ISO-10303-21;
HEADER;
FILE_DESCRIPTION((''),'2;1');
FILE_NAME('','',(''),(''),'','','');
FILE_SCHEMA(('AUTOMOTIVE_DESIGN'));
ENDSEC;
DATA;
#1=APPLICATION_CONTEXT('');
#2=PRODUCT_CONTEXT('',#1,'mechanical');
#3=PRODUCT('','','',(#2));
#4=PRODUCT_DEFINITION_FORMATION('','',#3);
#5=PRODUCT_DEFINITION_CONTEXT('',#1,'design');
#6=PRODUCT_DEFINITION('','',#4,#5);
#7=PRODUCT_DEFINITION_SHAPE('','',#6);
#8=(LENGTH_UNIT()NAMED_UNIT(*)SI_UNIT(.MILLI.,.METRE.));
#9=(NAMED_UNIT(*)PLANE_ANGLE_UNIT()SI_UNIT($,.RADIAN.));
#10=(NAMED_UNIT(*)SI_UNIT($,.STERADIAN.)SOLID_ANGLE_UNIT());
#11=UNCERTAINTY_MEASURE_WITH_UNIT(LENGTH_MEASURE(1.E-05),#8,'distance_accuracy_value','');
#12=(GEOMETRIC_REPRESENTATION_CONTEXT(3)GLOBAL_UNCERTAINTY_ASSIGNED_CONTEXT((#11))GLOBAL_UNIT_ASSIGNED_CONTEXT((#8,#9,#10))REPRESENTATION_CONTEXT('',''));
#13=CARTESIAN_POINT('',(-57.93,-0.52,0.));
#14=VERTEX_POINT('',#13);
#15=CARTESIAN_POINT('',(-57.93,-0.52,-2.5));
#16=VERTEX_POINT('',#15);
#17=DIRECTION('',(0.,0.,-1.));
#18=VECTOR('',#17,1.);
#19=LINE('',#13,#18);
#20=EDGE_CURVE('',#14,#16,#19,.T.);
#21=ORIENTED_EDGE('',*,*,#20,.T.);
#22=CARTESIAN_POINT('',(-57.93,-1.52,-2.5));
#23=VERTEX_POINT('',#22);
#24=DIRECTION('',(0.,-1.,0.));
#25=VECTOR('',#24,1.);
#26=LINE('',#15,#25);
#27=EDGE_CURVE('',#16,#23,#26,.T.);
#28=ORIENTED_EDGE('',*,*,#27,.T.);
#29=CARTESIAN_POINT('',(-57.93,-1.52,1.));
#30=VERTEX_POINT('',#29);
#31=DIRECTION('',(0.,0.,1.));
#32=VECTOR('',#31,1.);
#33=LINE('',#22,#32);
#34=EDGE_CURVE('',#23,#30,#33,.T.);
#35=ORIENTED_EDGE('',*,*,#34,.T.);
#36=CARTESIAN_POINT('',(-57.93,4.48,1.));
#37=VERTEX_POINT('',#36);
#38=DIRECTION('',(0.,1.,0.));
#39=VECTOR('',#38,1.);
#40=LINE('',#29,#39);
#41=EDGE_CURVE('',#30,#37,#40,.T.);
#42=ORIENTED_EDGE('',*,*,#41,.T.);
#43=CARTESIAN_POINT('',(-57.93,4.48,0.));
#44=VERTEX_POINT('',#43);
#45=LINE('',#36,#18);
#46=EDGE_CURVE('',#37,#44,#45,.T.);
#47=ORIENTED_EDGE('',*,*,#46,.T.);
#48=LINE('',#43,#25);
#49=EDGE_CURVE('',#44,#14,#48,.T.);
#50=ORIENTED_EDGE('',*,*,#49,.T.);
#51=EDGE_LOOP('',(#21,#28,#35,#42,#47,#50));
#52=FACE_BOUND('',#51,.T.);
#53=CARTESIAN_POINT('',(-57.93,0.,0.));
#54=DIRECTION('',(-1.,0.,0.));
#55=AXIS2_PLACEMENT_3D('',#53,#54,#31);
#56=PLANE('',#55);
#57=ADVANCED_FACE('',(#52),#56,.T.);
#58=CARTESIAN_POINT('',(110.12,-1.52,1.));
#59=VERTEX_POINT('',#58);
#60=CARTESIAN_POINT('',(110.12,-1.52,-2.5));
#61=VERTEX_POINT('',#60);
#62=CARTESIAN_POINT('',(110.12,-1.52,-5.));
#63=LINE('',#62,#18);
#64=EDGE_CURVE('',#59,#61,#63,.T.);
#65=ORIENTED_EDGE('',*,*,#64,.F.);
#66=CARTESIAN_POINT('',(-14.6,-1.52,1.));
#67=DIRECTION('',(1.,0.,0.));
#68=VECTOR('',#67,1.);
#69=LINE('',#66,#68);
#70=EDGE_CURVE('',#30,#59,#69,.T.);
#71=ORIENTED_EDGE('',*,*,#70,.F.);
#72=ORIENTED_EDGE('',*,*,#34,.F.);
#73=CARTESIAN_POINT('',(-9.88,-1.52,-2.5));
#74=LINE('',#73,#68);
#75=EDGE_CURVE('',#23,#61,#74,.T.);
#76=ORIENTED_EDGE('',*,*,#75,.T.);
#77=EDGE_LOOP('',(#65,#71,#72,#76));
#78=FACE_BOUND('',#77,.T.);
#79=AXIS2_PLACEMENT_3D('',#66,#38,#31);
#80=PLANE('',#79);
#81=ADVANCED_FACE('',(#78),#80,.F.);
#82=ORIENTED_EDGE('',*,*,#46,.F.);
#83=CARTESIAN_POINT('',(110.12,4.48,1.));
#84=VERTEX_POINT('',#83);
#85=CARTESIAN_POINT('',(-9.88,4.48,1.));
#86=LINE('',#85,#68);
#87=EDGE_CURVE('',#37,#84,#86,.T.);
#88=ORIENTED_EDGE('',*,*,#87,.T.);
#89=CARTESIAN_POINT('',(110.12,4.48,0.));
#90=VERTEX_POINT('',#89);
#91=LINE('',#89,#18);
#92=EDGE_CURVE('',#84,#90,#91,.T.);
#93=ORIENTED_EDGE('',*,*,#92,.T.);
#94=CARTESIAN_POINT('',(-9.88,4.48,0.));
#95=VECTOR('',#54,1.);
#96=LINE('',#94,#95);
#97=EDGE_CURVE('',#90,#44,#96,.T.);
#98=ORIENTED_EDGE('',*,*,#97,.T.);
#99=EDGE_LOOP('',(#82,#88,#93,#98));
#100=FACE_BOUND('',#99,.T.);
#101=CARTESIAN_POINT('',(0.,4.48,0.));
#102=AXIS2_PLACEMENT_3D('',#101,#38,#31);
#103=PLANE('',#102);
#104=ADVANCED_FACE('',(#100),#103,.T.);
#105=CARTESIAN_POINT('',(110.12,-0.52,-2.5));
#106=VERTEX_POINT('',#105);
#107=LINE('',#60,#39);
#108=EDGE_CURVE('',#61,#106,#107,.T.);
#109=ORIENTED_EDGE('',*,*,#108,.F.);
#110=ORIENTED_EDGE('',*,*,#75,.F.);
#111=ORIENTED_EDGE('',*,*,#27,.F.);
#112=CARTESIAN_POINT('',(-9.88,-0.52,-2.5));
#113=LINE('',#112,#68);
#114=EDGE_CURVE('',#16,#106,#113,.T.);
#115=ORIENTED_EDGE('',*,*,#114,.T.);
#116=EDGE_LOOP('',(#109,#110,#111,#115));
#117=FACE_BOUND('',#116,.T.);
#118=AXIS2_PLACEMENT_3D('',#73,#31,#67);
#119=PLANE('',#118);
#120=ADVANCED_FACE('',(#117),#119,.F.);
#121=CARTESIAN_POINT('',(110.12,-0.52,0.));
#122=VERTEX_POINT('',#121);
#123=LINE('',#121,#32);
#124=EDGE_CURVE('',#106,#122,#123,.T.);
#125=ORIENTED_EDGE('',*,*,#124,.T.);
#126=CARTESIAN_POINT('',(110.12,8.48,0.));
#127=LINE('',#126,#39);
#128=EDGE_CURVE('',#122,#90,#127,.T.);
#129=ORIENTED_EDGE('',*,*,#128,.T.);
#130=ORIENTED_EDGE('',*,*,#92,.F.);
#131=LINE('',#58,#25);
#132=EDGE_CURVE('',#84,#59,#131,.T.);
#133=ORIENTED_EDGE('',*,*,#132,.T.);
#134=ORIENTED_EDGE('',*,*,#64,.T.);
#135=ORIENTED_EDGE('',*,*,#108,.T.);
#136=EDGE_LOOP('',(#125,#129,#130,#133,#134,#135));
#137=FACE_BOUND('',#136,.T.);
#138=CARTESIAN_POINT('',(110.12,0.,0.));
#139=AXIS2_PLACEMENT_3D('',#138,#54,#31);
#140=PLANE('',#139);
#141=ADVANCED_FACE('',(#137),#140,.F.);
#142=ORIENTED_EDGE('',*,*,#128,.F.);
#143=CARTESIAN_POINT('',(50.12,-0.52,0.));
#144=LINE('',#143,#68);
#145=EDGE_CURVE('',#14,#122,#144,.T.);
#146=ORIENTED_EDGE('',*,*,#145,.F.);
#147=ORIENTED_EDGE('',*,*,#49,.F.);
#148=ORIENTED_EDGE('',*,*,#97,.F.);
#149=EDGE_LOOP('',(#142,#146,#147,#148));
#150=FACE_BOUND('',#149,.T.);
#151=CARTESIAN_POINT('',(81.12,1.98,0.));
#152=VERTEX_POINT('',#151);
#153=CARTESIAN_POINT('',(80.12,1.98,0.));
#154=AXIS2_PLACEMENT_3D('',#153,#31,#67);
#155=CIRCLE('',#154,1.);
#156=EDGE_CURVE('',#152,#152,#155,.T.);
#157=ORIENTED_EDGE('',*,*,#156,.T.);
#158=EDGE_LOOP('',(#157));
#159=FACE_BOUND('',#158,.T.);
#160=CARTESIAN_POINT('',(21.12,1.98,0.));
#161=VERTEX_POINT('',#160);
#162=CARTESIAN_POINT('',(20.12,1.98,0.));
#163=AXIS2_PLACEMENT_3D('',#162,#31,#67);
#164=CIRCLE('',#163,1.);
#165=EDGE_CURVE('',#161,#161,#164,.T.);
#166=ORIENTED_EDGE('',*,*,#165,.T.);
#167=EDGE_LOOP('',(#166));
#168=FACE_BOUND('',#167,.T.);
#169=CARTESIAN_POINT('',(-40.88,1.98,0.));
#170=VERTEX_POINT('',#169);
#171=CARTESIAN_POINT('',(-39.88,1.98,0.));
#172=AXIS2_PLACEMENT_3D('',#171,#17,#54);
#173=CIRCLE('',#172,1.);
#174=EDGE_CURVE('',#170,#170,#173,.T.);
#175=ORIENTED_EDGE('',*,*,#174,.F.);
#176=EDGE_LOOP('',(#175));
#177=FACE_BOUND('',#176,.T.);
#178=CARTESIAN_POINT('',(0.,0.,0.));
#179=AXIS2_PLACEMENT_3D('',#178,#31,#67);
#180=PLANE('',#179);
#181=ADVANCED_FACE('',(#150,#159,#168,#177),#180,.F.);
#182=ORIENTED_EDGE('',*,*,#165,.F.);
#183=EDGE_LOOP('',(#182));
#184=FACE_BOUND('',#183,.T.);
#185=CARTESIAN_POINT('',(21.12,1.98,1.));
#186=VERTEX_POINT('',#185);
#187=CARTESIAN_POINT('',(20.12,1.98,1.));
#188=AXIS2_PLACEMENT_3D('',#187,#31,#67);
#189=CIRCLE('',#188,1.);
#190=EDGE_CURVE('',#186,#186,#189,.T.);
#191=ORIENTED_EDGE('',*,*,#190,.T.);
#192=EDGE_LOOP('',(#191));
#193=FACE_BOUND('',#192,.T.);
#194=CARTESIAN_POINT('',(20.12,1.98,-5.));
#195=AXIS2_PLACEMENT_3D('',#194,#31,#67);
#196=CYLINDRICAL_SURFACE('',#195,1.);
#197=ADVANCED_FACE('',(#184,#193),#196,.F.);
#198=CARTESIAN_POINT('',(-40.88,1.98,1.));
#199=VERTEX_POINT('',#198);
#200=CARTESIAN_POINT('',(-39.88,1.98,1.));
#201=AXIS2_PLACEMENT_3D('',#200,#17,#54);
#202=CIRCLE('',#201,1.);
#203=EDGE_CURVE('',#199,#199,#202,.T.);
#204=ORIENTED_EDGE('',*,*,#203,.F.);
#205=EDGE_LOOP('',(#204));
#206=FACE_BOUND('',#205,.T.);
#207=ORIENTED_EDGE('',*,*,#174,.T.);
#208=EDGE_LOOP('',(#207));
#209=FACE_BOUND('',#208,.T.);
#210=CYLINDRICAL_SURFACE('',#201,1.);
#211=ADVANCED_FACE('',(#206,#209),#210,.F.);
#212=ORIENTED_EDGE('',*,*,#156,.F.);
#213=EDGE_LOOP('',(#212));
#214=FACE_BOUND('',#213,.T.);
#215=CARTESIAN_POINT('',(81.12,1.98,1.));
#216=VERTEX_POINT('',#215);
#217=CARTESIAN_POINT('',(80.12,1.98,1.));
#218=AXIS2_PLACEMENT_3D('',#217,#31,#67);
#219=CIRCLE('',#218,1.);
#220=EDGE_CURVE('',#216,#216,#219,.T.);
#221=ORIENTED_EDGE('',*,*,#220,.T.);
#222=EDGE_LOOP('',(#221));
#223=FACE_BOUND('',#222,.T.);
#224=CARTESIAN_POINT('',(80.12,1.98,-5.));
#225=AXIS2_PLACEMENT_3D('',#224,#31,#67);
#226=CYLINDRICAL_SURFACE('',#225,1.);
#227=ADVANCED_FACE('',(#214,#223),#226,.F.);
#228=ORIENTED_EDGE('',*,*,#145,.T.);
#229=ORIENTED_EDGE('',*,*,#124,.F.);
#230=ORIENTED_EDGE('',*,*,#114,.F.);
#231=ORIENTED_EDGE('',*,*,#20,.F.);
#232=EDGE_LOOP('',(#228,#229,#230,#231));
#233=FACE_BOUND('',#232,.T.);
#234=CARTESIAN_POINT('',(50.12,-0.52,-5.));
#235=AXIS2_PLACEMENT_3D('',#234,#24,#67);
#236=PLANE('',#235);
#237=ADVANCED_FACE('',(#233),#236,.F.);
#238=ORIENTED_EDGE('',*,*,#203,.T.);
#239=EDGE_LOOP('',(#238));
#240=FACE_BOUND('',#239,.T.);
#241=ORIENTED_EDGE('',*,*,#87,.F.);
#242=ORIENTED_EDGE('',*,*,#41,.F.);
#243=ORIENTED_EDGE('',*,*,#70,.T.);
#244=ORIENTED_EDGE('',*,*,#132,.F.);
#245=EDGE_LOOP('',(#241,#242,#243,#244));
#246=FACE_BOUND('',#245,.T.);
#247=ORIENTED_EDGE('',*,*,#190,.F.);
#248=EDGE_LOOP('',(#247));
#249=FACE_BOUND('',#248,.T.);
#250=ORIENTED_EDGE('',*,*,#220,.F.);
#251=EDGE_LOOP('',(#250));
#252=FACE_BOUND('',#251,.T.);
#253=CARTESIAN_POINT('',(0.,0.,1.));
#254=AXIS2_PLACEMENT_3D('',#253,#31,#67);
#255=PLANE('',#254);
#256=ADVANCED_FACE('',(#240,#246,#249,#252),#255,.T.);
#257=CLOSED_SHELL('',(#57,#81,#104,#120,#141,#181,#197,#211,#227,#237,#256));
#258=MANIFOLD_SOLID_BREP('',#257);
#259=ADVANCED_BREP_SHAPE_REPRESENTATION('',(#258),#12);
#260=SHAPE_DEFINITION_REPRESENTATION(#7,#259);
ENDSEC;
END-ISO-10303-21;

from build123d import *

# Parameters (mm, degrees)
SKETCH1_W           = 64.72
SKETCH1_H           = 10
BOSS_EXTRUDE1_DEPTH = 1
SKETCH2_W           = 64.72
SKETCH2_H           = 1
BOSS_EXTRUDE2_DEPTH = 5
BOSS_EXTRUDE3_DEPTH = 60
SKETCH4_W           = 1
SKETCH4_H           = 5
CUT_EXTRUDE1_DEPTH  = 125.72
SKETCH5_W           = 4.72
SKETCH5_H           = 6
CUT_EXTRUDE2_DEPTH  = 6
SKETCH6_W           = 120
SKETCH6_H           = 1
BOSS_EXTRUDE4_DEPTH = 1
SKETCH7_R           = 1
CUT_EXTRUDE3_DEPTH  = 7
SKETCH8_W           = 120
SKETCH8_H           = 2.5
CUT_EXTRUDE4_DEPTH  = 2
BOSS_EXTRUDE5_DEPTH = 48.05
SKETCH13_R          = 1
CUT_EXTRUDE5_DEPTH  = 2


with BuildPart() as part:
    # Sketch1 → Boss-Extrude1 (new body)
    with BuildSketch(Plane.XY):
        with Locations((17.76, 3.48)):
            Rectangle(SKETCH1_W, SKETCH1_H)
    extrude(amount=BOSS_EXTRUDE1_DEPTH)

    # Sketch2 → Boss-Extrude2 (add)
    with BuildSketch(Plane(origin=(0, 0, 0), x_dir=(-1, 0, 0), z_dir=(0, 0, -1))):
        with Locations((-17.76, -1.02)):
            Rectangle(SKETCH2_W, SKETCH2_H)
    extrude(amount=BOSS_EXTRUDE2_DEPTH)

    # Sketch3 → Boss-Extrude3 (add)
    with BuildSketch(Plane(origin=(50.12, 0, 0), x_dir=(0, 0, -1), z_dir=(1, 0, 0))):
        Polygon((-1, 8.48), (0, 8.48), (0, -0.52), (5, -0.52), (5, -1.52), (-1, -1.52), align=None)
    extrude(amount=BOSS_EXTRUDE3_DEPTH)

    # Sketch4 → Cut-Extrude1 (cut, through all)
    with BuildSketch(Plane(origin=(110.12, 0, 0), x_dir=(0, 0, -1), z_dir=(1, 0, 0))):
        with Locations((-0.5, 5.98)):
            Rectangle(SKETCH4_W, SKETCH4_H)
    extrude(amount=-CUT_EXTRUDE1_DEPTH, mode=Mode.SUBTRACT)

    # Sketch5 → Cut-Extrude2 (cut, through all)
    with BuildSketch(Plane(origin=(0, 3.48, 0), x_dir=(1, 0, 0), z_dir=(0, 1, 0))):
        with Locations((-12.24, 2)):
            Rectangle(SKETCH5_W, SKETCH5_H)
    extrude(amount=-CUT_EXTRUDE2_DEPTH, mode=Mode.SUBTRACT)

    # Sketch6 → Boss-Extrude4 (add)
    with BuildSketch(Plane(origin=(0, 3.48, 0), x_dir=(1, 0, 0), z_dir=(0, 1, 0))):
        with Locations((50.12, -0.5)):
            Rectangle(SKETCH6_W, SKETCH6_H)
    extrude(amount=BOSS_EXTRUDE4_DEPTH)

    # Sketch7 → Cut-Extrude3 (cut, through all)
    with BuildSketch(Plane.XY.offset(1)):
        with Locations((20.12, 1.98)):
            Circle(SKETCH7_R)
        with Locations((80.12, 1.98)):
            Circle(SKETCH7_R)
    extrude(amount=-CUT_EXTRUDE3_DEPTH, mode=Mode.SUBTRACT)

    # Sketch8 → Cut-Extrude4 (cut, through all)
    with BuildSketch(Plane(origin=(0, -0.52, 0), x_dir=(1, 0, 0), z_dir=(0, 1, 0))):
        with Locations((50.12, 3.75)):
            Rectangle(SKETCH8_W, SKETCH8_H)
    extrude(amount=-CUT_EXTRUDE4_DEPTH, mode=Mode.SUBTRACT)

    # Sketch11 → Boss-Extrude5 (add)
    with BuildSketch(Plane.ZY.offset(9.88)):
        Polygon((-2.5, -0.52), (-2.5, -1.52), (1, -1.52), (1, 4.48), (0, 4.48), (0, -0.52), align=None)
    extrude(amount=BOSS_EXTRUDE5_DEPTH)

    # Sketch13 → Cut-Extrude5 (cut, through all)
    with BuildSketch(Plane(origin=(0, 0, 0), x_dir=(-1, 0, 0), z_dir=(0, 0, -1))):
        with Locations((39.88, 1.98)):
            Circle(SKETCH13_R)
    extrude(amount=-CUT_EXTRUDE5_DEPTH, mode=Mode.SUBTRACT)


solid = part.part
